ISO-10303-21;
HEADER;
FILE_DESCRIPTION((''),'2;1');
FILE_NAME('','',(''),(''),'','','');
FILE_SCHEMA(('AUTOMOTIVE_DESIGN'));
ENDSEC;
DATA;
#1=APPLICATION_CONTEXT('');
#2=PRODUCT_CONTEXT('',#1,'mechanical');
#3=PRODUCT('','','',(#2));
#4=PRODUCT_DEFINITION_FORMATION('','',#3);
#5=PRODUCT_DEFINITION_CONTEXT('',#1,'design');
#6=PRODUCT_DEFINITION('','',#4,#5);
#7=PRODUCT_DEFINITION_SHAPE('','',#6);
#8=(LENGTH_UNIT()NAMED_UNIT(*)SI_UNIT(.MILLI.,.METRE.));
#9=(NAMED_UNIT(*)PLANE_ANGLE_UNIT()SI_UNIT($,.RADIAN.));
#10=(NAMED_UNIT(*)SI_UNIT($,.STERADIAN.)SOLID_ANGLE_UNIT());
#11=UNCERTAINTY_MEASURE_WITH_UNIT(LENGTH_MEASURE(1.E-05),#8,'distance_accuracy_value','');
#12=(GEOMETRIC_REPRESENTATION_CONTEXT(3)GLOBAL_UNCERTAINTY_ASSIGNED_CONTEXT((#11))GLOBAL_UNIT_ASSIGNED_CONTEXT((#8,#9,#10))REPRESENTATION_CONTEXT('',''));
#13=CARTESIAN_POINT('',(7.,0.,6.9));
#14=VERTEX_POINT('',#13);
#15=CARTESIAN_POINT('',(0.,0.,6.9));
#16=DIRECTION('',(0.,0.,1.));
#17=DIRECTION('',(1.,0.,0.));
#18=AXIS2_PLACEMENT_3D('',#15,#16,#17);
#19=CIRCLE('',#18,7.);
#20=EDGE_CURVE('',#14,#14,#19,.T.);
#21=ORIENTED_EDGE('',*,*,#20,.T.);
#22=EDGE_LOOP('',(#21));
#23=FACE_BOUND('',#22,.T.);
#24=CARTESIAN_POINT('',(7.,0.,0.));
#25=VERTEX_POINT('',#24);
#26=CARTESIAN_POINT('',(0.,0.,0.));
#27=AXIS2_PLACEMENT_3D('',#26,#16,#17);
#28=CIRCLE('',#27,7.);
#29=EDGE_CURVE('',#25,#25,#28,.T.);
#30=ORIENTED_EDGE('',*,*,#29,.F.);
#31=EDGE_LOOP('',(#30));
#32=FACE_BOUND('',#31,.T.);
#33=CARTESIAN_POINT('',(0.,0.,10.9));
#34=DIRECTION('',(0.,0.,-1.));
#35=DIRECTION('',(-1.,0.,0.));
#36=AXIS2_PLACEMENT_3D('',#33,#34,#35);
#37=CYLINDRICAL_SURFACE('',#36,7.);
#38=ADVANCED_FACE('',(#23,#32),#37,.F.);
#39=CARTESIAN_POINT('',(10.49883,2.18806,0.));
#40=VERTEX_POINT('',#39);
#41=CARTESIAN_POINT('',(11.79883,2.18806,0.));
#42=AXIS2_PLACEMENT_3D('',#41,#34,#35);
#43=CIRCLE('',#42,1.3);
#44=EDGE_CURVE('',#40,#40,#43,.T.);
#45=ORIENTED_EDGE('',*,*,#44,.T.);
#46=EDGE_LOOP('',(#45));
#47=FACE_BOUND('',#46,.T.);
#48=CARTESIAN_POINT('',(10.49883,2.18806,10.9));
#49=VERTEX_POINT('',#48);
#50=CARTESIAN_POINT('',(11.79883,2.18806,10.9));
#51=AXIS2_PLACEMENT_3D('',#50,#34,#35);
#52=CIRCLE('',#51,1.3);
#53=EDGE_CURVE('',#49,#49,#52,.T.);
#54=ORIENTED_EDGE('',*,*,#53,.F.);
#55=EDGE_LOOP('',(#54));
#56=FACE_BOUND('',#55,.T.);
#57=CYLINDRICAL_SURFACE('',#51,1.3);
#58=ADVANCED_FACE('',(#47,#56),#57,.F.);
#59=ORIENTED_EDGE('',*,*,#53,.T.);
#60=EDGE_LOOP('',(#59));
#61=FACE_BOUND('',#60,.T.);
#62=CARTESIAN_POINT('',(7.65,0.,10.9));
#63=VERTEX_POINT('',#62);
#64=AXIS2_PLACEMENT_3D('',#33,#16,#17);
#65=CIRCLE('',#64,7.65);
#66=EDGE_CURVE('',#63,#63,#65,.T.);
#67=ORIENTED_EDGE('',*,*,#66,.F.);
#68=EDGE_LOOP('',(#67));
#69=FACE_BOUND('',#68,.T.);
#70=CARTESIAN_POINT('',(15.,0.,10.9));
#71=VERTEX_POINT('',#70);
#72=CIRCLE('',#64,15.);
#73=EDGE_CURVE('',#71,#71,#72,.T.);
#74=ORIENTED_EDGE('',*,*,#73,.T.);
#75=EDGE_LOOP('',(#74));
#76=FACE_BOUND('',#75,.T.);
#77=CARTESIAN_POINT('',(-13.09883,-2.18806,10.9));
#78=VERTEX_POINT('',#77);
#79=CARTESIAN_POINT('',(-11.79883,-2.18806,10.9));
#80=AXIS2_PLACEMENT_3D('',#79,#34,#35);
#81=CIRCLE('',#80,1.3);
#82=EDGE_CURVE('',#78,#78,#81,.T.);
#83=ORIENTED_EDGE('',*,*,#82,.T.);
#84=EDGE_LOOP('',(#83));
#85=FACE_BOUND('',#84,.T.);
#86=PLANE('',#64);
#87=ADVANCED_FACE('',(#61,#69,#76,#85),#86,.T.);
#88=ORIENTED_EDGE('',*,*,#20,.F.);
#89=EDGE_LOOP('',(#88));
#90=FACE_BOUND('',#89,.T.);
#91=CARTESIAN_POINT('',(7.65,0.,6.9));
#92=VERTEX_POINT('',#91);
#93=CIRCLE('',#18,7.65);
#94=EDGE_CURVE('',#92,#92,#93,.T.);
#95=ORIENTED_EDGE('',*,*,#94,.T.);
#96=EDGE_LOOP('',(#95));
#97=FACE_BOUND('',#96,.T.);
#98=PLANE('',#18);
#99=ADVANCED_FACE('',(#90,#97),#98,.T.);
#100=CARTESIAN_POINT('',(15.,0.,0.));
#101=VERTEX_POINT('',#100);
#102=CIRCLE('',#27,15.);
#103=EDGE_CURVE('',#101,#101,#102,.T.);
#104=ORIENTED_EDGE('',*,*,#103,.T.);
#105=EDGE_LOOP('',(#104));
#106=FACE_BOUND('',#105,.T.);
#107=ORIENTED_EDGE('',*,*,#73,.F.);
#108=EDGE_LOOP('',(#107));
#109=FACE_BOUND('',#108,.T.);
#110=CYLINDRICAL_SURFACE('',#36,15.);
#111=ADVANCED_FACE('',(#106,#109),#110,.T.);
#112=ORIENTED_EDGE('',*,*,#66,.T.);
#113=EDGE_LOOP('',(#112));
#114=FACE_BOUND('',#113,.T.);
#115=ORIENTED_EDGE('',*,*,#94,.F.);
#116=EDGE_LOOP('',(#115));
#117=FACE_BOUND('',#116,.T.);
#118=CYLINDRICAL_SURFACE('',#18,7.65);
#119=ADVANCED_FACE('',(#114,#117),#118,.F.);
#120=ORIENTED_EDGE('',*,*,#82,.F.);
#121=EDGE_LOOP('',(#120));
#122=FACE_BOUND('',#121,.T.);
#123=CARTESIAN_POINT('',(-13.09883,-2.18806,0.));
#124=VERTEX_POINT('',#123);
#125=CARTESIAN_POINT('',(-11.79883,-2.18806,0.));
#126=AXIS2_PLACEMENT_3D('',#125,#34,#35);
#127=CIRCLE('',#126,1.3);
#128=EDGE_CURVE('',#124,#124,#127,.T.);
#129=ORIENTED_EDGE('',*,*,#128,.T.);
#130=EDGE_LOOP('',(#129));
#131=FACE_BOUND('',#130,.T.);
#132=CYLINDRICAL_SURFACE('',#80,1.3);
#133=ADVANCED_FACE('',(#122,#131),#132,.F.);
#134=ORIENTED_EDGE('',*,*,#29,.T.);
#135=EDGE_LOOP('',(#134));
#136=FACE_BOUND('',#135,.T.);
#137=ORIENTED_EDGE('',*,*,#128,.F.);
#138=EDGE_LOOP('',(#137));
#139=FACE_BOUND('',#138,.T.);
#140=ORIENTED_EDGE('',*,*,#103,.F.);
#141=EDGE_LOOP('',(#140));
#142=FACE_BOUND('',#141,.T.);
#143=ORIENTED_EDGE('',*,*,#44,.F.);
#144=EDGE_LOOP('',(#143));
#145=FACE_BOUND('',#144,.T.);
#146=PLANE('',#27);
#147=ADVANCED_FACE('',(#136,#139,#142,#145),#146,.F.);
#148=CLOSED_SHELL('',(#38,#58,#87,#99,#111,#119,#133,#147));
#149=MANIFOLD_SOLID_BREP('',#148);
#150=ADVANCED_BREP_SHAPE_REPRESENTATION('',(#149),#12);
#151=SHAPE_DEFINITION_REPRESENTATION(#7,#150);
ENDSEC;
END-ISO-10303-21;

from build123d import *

# Parameters (mm, degrees)
SKETCH_1_R          = 15
SKETCH_1_R_2        = 7
EXTRUDE_1_DEPTH     = 10.9
SKETCH_5_R          = 7.65
CUT_EXTRUDE_3_DEPTH = 4
SKETCH_2_R          = 1.3
CUT_EXTRUDE_4_DEPTH = 24.849737944


with BuildPart() as part:
    # ｽｹｯﾁ1 → ﾎﾞｽ - 押し出し1 (new body)
    with BuildSketch(Plane.XY):
        Circle(SKETCH_1_R)
        Circle(SKETCH_1_R_2, mode=Mode.SUBTRACT)
    extrude(amount=EXTRUDE_1_DEPTH)

    # ｽｹｯﾁ5 → ｶｯﾄ - 押し出し3 (cut)
    with BuildSketch(Plane.XY.offset(10.9)):
        Circle(SKETCH_5_R)
    extrude(amount=-CUT_EXTRUDE_3_DEPTH, mode=Mode.SUBTRACT)

    # ｽｹｯﾁ2 → ｶｯﾄ - 押し出し4 (cut, through all)
    with BuildSketch(Plane(origin=(0, 0, 0), x_dir=(-1, 0, 0), z_dir=(0, 0, -1))):
        with Locations((-11.798830207, 2.188059811)):
            Circle(SKETCH_2_R)
        with Locations((11.798830207, -2.188059811)):
            Circle(SKETCH_2_R)
    extrude(amount=-CUT_EXTRUDE_4_DEPTH, mode=Mode.SUBTRACT)


solid = part.part
